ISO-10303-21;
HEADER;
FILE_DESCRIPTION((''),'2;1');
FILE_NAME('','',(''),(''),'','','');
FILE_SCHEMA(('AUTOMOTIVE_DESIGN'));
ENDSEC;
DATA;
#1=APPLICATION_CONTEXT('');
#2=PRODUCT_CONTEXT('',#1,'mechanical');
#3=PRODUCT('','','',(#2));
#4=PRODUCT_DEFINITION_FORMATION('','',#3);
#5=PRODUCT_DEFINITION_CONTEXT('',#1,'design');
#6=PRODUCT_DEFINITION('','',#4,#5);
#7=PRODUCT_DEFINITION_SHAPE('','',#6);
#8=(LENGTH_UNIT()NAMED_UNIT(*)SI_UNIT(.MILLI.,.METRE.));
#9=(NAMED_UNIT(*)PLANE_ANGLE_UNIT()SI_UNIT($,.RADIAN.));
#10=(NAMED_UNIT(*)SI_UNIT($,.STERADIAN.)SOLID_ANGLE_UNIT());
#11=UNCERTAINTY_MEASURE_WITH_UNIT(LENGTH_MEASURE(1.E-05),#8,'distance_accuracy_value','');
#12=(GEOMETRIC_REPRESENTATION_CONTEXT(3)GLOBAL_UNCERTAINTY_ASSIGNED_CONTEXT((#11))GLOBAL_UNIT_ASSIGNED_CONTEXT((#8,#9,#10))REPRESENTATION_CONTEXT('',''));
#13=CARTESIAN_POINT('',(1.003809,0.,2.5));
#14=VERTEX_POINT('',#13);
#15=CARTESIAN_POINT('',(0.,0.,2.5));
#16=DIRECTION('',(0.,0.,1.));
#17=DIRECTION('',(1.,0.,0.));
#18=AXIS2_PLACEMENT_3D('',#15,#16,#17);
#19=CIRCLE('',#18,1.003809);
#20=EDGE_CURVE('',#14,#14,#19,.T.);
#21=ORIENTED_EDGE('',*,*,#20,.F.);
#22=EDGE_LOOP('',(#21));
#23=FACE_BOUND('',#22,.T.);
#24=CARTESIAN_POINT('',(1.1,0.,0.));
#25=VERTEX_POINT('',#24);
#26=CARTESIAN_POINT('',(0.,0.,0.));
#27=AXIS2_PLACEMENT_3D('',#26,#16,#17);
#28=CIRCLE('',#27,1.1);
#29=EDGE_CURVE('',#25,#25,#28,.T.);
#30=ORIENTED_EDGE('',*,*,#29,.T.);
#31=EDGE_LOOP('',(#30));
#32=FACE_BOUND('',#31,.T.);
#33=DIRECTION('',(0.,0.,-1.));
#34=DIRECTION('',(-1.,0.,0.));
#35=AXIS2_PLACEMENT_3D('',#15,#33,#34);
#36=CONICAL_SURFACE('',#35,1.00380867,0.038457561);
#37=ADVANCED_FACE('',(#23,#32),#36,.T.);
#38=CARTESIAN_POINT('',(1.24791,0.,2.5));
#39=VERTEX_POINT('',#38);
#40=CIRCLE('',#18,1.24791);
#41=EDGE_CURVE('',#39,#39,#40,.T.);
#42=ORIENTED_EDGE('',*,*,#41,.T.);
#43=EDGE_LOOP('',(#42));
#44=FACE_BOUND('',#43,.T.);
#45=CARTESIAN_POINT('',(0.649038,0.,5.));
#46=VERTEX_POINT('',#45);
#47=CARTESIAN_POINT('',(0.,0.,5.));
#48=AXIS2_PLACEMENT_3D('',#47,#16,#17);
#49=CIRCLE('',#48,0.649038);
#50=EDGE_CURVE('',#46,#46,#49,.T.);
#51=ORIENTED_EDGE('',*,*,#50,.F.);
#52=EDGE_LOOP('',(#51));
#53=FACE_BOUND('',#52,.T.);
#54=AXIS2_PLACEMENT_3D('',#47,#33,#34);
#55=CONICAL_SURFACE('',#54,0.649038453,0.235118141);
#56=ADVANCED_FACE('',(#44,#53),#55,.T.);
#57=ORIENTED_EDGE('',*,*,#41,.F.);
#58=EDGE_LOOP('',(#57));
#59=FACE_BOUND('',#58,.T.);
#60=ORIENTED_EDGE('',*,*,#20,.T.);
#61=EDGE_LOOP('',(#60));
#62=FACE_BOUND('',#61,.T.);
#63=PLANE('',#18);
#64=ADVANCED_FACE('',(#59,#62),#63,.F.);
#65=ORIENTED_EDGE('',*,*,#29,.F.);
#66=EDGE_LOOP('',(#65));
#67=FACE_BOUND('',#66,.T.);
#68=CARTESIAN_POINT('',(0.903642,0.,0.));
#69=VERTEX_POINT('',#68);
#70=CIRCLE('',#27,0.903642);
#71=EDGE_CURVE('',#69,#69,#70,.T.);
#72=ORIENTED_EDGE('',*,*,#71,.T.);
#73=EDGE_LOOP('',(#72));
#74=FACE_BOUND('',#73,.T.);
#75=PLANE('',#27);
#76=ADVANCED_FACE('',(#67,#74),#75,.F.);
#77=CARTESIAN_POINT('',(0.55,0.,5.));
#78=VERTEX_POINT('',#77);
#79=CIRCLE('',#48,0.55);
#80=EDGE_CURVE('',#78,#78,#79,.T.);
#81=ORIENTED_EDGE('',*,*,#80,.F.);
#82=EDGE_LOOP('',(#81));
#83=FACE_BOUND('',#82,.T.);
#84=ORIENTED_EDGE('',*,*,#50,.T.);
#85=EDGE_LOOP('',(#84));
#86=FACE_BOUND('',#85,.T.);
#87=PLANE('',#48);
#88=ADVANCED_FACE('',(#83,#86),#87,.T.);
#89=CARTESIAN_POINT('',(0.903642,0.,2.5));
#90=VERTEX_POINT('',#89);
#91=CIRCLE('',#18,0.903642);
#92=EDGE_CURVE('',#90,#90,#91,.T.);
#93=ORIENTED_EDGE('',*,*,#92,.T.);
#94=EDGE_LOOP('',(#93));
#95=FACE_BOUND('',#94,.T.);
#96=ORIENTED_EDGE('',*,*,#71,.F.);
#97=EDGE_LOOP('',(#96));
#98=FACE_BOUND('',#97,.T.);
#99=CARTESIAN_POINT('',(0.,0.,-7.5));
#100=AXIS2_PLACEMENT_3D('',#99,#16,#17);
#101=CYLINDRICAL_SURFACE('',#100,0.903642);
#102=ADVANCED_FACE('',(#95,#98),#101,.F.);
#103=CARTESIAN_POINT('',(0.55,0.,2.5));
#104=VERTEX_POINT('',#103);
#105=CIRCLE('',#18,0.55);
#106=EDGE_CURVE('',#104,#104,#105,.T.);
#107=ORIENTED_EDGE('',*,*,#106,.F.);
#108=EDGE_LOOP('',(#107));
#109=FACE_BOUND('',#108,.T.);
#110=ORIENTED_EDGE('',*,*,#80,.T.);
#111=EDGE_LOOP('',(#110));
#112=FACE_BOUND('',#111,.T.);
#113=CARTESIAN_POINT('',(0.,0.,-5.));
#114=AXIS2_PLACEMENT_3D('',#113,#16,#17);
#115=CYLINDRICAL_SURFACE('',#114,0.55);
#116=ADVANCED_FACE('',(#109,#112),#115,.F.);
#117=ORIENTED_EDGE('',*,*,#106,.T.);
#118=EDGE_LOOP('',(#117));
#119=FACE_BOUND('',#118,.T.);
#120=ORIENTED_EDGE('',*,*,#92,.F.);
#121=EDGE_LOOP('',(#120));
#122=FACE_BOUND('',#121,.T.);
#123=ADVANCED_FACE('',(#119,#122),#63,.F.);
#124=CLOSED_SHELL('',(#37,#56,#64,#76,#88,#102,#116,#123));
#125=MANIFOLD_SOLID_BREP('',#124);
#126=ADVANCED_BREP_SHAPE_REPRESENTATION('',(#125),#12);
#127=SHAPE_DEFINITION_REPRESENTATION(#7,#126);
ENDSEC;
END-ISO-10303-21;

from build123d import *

# Parameters (mm, degrees)
SKETCH1_R          = 1.1
SKETCH2_R          = 1.00380867
SKETCH3_R          = 0.903642253
CUT_EXTRUDE1_DEPTH = 10
SKETCH4_R          = 1.247910004
SKETCH5_R          = 0.649038453
SKETCH6_R          = 0.55
CUT_EXTRUDE2_DEPTH = 10


with BuildPart() as part:
    # Sketch1 → Loft1 section 0
    with BuildSketch(Plane.XY):
        Circle(SKETCH1_R)
    # Sketch2 → Loft1 section 1
    with BuildSketch(Plane.XY.offset(2.5)):
        Circle(SKETCH2_R)
    loft()

    # Sketch3 → Cut-Extrude1 (cut)
    with BuildSketch(Plane.XY.offset(2.5)):
        Circle(SKETCH3_R)
    extrude(amount=-CUT_EXTRUDE1_DEPTH, mode=Mode.SUBTRACT)

    # Sketch4 → Loft2 section 0
    with BuildSketch(Plane.XY.offset(2.5)):
        Circle(SKETCH4_R)
    # Sketch5 → Loft2 section 1
    with BuildSketch(Plane.XY.offset(5)):
        Circle(SKETCH5_R)
    loft()

    # Sketch6 → Cut-Extrude2 (cut)
    with BuildSketch(Plane.XY.offset(5)):
        Circle(SKETCH6_R)
    extrude(amount=-CUT_EXTRUDE2_DEPTH, mode=Mode.SUBTRACT)


solid = part.part
